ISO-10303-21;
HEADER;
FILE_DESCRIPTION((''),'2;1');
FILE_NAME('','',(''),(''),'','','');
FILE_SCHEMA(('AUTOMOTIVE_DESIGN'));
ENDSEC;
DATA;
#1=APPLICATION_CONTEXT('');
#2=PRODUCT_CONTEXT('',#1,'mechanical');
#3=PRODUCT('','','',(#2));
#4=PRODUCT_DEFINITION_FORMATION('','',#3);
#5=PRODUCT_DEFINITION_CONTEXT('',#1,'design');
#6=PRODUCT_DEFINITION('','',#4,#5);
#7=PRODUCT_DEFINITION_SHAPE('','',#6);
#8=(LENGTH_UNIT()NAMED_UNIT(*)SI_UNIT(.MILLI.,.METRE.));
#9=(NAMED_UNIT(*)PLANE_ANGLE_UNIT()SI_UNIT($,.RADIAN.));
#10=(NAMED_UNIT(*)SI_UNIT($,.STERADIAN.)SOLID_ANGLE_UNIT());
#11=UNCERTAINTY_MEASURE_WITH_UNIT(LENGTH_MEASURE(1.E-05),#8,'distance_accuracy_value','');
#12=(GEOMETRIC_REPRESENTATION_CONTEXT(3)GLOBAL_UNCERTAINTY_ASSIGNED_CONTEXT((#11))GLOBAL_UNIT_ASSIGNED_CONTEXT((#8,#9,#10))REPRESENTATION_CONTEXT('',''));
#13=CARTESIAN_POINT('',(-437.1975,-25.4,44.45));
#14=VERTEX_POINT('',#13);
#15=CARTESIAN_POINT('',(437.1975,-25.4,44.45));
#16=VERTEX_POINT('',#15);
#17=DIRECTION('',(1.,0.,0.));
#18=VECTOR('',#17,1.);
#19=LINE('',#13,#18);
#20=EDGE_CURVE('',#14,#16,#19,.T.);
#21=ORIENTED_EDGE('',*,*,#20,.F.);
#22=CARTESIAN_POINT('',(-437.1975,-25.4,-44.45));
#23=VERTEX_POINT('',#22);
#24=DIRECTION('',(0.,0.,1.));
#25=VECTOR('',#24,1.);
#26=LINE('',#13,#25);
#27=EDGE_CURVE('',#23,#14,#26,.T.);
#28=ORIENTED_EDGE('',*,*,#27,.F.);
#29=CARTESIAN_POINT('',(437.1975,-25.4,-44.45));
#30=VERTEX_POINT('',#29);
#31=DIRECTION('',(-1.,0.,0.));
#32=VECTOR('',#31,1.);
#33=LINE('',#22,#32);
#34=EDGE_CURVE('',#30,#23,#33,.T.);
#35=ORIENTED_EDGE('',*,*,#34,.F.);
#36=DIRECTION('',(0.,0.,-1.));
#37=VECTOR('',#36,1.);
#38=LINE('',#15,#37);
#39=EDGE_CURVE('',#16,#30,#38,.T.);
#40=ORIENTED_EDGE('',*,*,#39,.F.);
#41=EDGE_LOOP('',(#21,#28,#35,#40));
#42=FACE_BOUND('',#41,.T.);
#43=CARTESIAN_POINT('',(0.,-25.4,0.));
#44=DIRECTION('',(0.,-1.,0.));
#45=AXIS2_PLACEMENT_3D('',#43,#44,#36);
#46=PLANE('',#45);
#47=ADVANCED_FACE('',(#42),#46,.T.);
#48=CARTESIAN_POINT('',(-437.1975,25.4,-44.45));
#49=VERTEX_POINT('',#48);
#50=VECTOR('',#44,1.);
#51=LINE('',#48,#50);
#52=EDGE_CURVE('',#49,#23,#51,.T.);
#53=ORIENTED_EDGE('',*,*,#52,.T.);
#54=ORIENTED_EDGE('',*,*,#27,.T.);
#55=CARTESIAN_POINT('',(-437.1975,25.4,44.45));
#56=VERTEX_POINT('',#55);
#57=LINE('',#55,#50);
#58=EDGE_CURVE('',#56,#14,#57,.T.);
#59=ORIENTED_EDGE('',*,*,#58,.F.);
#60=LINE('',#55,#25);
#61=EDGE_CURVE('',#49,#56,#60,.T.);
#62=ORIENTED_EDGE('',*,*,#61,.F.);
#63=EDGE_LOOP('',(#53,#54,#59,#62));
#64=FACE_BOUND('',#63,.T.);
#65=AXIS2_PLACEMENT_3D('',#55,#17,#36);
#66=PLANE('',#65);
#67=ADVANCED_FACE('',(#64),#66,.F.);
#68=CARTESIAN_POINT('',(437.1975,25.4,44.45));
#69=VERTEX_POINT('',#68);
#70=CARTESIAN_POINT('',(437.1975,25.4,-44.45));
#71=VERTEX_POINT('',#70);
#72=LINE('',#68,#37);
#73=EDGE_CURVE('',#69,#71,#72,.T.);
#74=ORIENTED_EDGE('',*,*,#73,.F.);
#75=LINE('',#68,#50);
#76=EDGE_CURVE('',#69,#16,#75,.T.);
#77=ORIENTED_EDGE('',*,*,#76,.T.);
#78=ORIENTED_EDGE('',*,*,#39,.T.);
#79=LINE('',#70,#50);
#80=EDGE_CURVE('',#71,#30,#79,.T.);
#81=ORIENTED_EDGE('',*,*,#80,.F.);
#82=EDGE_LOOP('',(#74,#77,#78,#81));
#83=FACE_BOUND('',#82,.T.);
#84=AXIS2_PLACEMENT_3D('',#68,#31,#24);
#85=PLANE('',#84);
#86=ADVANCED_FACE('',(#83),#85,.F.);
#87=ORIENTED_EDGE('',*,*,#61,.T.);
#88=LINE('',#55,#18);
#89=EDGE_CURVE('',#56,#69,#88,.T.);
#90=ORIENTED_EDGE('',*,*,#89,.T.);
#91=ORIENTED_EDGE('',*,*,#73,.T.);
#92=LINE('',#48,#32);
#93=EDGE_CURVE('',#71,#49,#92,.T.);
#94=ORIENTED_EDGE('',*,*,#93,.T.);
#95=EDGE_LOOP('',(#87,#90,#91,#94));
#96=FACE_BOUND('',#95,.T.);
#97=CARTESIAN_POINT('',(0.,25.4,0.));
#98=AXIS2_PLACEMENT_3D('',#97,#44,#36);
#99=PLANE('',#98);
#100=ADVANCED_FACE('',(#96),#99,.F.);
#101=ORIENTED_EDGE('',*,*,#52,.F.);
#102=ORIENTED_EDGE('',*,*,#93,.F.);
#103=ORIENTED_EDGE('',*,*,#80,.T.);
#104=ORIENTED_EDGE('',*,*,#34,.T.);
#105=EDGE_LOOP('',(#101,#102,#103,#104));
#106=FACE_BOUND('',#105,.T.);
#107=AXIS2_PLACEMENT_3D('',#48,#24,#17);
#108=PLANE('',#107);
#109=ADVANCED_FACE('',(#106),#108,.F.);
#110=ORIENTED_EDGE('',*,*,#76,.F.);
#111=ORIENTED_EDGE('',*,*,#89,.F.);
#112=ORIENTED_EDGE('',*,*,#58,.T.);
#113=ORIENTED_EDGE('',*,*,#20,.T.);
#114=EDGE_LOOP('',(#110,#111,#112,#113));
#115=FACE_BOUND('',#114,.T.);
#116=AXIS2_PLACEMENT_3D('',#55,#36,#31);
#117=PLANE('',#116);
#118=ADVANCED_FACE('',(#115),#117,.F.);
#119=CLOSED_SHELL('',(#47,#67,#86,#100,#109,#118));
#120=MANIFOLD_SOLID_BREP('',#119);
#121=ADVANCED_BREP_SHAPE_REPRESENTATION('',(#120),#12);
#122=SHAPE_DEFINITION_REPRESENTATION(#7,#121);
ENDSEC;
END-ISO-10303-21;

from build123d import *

# Parameters (mm, degrees)
SKETCH1_W           = 874.395
SKETCH1_H           = 88.9
BOSS_EXTRUDE1_DEPTH = 25.4


with BuildPart() as part:
    # Sketch1 → Boss-Extrude1 (new body, symmetric)
    with BuildSketch(Plane(origin=(0, 0, 0), x_dir=(1, 0, 0), z_dir=(0, 1, 0))):
        Rectangle(SKETCH1_W, SKETCH1_H)
    extrude(amount=BOSS_EXTRUDE1_DEPTH, both=True)


solid = part.part
